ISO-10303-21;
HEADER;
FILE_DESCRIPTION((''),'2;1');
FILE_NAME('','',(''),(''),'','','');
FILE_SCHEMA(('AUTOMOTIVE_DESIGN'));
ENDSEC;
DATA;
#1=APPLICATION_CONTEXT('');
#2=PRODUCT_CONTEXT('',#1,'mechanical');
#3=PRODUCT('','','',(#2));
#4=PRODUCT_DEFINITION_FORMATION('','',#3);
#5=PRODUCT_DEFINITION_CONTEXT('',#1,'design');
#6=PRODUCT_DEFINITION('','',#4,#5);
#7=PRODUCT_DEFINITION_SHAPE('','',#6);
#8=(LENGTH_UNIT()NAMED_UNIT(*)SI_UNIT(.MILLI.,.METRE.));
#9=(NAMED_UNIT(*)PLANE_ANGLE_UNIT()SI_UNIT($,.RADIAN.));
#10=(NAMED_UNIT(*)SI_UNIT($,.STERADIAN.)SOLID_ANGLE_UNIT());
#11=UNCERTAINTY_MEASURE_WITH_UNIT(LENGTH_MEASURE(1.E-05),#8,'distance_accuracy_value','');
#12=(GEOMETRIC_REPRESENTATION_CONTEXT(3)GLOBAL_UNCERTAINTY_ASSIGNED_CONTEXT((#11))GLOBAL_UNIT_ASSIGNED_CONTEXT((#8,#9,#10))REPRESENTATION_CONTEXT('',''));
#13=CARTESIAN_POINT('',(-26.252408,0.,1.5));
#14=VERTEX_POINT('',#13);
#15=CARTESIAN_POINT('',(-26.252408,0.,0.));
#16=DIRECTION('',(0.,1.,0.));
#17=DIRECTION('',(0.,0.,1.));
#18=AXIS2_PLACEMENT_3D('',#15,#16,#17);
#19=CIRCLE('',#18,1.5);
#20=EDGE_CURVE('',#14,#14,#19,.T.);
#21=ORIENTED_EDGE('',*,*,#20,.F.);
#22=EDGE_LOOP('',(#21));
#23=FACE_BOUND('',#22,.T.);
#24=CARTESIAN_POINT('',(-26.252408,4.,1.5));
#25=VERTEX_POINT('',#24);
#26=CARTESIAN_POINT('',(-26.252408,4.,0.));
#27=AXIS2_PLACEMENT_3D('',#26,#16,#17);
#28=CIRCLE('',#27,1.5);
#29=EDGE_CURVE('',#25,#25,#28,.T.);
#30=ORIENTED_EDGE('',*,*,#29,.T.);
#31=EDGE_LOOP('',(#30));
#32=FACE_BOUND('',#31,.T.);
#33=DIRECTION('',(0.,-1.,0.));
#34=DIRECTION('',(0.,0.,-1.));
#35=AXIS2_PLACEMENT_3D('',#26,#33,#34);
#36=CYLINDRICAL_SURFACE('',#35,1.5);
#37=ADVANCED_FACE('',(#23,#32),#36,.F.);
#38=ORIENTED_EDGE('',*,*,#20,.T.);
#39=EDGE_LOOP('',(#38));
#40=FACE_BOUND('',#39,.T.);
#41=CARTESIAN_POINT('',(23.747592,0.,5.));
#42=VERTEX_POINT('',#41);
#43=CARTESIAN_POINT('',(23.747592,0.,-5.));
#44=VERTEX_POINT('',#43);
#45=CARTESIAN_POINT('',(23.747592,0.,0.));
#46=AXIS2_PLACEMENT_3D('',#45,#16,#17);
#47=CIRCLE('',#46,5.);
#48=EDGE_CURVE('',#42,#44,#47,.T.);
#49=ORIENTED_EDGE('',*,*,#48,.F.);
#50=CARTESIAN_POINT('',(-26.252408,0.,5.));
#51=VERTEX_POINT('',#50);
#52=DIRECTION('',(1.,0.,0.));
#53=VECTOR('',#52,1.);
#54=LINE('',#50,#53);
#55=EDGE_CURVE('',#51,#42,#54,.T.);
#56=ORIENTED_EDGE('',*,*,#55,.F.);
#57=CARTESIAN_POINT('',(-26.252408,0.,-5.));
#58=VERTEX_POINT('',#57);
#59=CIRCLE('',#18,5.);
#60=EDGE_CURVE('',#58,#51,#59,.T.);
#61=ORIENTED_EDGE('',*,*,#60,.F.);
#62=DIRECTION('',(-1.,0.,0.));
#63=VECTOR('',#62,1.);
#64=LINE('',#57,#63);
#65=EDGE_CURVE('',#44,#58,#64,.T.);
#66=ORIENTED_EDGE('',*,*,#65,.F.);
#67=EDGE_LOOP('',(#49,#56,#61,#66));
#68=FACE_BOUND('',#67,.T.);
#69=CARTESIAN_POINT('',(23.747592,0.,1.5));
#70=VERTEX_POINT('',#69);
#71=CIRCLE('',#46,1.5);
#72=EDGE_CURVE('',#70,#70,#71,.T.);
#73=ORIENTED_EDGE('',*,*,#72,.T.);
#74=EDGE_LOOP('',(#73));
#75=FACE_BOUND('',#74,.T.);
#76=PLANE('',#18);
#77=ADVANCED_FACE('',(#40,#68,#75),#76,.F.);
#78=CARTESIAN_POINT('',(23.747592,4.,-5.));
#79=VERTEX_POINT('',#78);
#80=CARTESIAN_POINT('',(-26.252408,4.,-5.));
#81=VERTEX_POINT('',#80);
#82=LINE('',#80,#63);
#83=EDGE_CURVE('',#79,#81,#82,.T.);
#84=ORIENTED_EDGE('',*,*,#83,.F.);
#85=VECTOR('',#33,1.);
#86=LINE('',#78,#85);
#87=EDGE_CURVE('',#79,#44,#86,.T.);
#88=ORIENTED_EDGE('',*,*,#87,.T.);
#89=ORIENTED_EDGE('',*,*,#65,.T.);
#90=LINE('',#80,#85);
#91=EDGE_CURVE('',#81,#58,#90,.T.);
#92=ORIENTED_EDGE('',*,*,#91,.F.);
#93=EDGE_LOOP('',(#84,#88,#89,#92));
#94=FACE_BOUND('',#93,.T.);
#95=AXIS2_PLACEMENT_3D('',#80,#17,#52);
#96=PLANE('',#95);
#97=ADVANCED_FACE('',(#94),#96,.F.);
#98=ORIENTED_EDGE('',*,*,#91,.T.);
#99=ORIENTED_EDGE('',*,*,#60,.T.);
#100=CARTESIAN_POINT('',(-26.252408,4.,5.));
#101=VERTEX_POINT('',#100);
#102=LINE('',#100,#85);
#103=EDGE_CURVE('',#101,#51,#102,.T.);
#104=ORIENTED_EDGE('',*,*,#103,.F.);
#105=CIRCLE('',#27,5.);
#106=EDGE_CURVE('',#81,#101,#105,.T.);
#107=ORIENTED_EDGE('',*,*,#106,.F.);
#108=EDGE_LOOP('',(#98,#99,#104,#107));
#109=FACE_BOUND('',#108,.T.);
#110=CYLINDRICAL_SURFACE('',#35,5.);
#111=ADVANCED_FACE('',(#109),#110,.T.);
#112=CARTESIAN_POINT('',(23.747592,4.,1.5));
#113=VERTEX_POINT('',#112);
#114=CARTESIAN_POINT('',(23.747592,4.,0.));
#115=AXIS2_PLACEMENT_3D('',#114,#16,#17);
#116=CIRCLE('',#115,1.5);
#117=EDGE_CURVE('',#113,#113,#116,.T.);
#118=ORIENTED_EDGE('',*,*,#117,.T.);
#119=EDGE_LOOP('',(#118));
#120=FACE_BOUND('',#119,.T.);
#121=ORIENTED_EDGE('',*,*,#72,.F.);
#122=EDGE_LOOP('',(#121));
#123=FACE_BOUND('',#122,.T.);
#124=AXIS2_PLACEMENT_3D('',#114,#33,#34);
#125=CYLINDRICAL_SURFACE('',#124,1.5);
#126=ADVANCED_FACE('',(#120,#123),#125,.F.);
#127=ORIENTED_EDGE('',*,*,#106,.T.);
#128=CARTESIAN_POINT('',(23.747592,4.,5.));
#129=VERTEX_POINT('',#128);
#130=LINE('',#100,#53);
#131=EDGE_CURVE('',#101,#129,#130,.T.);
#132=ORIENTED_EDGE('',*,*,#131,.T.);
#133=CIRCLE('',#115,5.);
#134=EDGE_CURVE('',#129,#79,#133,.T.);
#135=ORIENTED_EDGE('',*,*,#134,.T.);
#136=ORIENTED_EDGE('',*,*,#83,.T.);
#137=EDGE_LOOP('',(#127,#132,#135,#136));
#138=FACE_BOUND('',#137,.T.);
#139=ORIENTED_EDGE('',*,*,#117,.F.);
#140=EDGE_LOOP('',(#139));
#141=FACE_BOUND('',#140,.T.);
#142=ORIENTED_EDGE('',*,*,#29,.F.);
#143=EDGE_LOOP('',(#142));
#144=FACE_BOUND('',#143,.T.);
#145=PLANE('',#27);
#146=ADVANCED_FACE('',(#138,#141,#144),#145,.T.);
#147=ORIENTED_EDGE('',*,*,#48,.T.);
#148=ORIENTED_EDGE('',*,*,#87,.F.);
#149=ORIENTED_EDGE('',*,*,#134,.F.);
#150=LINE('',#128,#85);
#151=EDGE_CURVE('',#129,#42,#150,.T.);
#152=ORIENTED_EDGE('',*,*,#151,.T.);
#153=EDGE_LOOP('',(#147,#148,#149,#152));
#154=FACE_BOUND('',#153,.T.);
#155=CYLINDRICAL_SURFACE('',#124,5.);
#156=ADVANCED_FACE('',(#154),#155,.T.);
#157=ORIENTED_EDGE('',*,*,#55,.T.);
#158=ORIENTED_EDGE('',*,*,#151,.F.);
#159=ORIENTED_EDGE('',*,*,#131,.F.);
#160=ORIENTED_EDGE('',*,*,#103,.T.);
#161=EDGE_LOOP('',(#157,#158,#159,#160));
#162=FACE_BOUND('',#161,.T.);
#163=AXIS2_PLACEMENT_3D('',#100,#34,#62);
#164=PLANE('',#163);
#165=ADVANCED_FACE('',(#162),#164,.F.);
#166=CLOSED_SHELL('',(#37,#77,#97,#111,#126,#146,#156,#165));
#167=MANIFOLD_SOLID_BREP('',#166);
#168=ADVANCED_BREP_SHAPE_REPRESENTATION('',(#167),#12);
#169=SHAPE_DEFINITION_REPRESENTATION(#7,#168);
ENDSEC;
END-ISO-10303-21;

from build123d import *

# Parameters (mm, degrees)
SKETCH_1_R      = 1.5
EXTRUDE_1_DEPTH = 4


with BuildPart() as part:
    # 草图1 → 凸台-拉伸1 (new body)
    with BuildSketch(Plane(origin=(0, 0, 0), x_dir=(1, 0, 0), z_dir=(0, 1, 0))):
        with BuildLine():
            Line((-26.252408478, 5), (23.747591522, 5))
            ThreePointArc((23.747591522, 5), (28.747591522, 0), (23.747591522, -5))
            Line((23.747591522, -5), (-26.252408478, -5))
            ThreePointArc((-26.252408478, -5), (-31.252408478, 0), (-26.252408478, 5))
        make_face()
        with Locations(Location((-26.252408478, 0, 0), (0, 0, 270))):
            Circle(SKETCH_1_R, mode=Mode.SUBTRACT)
        with Locations(Location((23.747591522, 0, 0), (0, 0, 270))):
            Circle(SKETCH_1_R, mode=Mode.SUBTRACT)
    extrude(amount=EXTRUDE_1_DEPTH)


solid = part.part
